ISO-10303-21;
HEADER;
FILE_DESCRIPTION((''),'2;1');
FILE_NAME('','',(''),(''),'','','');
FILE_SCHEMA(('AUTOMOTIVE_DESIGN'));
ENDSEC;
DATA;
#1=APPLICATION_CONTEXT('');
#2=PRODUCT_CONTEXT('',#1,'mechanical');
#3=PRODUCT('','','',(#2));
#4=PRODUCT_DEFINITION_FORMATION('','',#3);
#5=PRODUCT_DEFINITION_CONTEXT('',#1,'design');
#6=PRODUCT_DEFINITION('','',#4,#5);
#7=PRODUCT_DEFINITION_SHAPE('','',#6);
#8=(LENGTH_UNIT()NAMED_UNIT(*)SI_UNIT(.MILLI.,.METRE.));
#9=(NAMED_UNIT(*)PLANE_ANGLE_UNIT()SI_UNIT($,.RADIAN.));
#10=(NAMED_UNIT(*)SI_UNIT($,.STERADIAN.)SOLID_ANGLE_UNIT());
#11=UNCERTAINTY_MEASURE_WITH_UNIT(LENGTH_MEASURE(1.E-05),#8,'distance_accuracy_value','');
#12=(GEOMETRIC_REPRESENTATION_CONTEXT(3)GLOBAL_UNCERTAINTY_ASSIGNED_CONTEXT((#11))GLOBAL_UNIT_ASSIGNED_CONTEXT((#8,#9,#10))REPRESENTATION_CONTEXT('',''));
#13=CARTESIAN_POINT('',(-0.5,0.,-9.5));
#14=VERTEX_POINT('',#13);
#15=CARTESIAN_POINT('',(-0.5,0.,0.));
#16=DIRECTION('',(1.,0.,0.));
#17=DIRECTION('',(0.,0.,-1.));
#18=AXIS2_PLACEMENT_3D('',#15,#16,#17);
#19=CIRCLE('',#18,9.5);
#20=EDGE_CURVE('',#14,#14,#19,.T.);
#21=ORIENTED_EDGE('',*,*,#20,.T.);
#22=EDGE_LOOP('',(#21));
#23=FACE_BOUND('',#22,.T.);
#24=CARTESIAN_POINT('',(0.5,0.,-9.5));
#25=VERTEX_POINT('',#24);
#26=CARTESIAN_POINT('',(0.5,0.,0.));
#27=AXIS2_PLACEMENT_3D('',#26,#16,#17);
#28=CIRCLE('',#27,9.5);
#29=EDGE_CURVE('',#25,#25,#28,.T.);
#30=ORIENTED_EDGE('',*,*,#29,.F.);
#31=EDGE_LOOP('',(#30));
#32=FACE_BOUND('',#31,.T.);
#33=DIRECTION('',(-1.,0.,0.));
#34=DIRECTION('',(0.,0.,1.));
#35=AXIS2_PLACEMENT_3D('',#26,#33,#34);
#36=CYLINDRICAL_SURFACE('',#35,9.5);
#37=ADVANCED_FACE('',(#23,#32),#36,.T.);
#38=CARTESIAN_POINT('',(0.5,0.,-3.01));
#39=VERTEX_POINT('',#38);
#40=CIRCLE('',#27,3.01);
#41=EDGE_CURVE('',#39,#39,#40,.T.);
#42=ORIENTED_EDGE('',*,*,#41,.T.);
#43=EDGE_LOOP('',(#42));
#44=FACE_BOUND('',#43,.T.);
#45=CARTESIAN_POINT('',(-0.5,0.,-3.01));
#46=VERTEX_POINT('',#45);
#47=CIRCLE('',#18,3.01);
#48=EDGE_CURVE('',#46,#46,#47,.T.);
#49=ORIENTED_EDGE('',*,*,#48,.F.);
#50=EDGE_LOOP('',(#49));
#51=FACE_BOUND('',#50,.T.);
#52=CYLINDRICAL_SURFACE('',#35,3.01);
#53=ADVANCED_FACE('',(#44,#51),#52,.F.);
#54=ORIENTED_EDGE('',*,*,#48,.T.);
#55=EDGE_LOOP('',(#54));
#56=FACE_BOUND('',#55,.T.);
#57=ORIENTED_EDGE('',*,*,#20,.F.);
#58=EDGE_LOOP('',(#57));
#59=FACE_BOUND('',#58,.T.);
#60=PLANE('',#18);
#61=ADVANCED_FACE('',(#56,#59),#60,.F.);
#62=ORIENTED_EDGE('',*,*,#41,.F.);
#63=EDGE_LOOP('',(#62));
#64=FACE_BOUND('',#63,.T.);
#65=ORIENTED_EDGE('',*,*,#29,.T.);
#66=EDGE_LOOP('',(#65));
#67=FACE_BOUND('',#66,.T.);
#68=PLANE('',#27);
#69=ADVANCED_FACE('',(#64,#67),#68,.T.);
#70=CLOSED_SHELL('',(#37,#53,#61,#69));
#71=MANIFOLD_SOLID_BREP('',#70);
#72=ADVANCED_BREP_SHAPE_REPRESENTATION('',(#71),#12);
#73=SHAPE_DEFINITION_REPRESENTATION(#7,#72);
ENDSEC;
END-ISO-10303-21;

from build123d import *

# Parameters (mm, degrees)
BOSS_EXTRUDE1_DEPTH      = 0.5
BOSS_EXTRUDE1_DEPTH_BACK = 0.5
SKETCH3_R                = 9.5
SKETCH3_R_2              = 3.01


with BuildPart() as part:
    # Sketch3 → Boss-Extrude1 (new, two sides: drawn at the far end of the back side and taken through both)
    with BuildSketch(Plane(origin=(0, 0, 0), x_dir=(0, 0, -1), z_dir=(1, 0, 0)).offset(-BOSS_EXTRUDE1_DEPTH_BACK)):
        Circle(SKETCH3_R)
        Circle(SKETCH3_R_2, mode=Mode.SUBTRACT)
    extrude(amount=BOSS_EXTRUDE1_DEPTH + BOSS_EXTRUDE1_DEPTH_BACK)


solid = part.part
